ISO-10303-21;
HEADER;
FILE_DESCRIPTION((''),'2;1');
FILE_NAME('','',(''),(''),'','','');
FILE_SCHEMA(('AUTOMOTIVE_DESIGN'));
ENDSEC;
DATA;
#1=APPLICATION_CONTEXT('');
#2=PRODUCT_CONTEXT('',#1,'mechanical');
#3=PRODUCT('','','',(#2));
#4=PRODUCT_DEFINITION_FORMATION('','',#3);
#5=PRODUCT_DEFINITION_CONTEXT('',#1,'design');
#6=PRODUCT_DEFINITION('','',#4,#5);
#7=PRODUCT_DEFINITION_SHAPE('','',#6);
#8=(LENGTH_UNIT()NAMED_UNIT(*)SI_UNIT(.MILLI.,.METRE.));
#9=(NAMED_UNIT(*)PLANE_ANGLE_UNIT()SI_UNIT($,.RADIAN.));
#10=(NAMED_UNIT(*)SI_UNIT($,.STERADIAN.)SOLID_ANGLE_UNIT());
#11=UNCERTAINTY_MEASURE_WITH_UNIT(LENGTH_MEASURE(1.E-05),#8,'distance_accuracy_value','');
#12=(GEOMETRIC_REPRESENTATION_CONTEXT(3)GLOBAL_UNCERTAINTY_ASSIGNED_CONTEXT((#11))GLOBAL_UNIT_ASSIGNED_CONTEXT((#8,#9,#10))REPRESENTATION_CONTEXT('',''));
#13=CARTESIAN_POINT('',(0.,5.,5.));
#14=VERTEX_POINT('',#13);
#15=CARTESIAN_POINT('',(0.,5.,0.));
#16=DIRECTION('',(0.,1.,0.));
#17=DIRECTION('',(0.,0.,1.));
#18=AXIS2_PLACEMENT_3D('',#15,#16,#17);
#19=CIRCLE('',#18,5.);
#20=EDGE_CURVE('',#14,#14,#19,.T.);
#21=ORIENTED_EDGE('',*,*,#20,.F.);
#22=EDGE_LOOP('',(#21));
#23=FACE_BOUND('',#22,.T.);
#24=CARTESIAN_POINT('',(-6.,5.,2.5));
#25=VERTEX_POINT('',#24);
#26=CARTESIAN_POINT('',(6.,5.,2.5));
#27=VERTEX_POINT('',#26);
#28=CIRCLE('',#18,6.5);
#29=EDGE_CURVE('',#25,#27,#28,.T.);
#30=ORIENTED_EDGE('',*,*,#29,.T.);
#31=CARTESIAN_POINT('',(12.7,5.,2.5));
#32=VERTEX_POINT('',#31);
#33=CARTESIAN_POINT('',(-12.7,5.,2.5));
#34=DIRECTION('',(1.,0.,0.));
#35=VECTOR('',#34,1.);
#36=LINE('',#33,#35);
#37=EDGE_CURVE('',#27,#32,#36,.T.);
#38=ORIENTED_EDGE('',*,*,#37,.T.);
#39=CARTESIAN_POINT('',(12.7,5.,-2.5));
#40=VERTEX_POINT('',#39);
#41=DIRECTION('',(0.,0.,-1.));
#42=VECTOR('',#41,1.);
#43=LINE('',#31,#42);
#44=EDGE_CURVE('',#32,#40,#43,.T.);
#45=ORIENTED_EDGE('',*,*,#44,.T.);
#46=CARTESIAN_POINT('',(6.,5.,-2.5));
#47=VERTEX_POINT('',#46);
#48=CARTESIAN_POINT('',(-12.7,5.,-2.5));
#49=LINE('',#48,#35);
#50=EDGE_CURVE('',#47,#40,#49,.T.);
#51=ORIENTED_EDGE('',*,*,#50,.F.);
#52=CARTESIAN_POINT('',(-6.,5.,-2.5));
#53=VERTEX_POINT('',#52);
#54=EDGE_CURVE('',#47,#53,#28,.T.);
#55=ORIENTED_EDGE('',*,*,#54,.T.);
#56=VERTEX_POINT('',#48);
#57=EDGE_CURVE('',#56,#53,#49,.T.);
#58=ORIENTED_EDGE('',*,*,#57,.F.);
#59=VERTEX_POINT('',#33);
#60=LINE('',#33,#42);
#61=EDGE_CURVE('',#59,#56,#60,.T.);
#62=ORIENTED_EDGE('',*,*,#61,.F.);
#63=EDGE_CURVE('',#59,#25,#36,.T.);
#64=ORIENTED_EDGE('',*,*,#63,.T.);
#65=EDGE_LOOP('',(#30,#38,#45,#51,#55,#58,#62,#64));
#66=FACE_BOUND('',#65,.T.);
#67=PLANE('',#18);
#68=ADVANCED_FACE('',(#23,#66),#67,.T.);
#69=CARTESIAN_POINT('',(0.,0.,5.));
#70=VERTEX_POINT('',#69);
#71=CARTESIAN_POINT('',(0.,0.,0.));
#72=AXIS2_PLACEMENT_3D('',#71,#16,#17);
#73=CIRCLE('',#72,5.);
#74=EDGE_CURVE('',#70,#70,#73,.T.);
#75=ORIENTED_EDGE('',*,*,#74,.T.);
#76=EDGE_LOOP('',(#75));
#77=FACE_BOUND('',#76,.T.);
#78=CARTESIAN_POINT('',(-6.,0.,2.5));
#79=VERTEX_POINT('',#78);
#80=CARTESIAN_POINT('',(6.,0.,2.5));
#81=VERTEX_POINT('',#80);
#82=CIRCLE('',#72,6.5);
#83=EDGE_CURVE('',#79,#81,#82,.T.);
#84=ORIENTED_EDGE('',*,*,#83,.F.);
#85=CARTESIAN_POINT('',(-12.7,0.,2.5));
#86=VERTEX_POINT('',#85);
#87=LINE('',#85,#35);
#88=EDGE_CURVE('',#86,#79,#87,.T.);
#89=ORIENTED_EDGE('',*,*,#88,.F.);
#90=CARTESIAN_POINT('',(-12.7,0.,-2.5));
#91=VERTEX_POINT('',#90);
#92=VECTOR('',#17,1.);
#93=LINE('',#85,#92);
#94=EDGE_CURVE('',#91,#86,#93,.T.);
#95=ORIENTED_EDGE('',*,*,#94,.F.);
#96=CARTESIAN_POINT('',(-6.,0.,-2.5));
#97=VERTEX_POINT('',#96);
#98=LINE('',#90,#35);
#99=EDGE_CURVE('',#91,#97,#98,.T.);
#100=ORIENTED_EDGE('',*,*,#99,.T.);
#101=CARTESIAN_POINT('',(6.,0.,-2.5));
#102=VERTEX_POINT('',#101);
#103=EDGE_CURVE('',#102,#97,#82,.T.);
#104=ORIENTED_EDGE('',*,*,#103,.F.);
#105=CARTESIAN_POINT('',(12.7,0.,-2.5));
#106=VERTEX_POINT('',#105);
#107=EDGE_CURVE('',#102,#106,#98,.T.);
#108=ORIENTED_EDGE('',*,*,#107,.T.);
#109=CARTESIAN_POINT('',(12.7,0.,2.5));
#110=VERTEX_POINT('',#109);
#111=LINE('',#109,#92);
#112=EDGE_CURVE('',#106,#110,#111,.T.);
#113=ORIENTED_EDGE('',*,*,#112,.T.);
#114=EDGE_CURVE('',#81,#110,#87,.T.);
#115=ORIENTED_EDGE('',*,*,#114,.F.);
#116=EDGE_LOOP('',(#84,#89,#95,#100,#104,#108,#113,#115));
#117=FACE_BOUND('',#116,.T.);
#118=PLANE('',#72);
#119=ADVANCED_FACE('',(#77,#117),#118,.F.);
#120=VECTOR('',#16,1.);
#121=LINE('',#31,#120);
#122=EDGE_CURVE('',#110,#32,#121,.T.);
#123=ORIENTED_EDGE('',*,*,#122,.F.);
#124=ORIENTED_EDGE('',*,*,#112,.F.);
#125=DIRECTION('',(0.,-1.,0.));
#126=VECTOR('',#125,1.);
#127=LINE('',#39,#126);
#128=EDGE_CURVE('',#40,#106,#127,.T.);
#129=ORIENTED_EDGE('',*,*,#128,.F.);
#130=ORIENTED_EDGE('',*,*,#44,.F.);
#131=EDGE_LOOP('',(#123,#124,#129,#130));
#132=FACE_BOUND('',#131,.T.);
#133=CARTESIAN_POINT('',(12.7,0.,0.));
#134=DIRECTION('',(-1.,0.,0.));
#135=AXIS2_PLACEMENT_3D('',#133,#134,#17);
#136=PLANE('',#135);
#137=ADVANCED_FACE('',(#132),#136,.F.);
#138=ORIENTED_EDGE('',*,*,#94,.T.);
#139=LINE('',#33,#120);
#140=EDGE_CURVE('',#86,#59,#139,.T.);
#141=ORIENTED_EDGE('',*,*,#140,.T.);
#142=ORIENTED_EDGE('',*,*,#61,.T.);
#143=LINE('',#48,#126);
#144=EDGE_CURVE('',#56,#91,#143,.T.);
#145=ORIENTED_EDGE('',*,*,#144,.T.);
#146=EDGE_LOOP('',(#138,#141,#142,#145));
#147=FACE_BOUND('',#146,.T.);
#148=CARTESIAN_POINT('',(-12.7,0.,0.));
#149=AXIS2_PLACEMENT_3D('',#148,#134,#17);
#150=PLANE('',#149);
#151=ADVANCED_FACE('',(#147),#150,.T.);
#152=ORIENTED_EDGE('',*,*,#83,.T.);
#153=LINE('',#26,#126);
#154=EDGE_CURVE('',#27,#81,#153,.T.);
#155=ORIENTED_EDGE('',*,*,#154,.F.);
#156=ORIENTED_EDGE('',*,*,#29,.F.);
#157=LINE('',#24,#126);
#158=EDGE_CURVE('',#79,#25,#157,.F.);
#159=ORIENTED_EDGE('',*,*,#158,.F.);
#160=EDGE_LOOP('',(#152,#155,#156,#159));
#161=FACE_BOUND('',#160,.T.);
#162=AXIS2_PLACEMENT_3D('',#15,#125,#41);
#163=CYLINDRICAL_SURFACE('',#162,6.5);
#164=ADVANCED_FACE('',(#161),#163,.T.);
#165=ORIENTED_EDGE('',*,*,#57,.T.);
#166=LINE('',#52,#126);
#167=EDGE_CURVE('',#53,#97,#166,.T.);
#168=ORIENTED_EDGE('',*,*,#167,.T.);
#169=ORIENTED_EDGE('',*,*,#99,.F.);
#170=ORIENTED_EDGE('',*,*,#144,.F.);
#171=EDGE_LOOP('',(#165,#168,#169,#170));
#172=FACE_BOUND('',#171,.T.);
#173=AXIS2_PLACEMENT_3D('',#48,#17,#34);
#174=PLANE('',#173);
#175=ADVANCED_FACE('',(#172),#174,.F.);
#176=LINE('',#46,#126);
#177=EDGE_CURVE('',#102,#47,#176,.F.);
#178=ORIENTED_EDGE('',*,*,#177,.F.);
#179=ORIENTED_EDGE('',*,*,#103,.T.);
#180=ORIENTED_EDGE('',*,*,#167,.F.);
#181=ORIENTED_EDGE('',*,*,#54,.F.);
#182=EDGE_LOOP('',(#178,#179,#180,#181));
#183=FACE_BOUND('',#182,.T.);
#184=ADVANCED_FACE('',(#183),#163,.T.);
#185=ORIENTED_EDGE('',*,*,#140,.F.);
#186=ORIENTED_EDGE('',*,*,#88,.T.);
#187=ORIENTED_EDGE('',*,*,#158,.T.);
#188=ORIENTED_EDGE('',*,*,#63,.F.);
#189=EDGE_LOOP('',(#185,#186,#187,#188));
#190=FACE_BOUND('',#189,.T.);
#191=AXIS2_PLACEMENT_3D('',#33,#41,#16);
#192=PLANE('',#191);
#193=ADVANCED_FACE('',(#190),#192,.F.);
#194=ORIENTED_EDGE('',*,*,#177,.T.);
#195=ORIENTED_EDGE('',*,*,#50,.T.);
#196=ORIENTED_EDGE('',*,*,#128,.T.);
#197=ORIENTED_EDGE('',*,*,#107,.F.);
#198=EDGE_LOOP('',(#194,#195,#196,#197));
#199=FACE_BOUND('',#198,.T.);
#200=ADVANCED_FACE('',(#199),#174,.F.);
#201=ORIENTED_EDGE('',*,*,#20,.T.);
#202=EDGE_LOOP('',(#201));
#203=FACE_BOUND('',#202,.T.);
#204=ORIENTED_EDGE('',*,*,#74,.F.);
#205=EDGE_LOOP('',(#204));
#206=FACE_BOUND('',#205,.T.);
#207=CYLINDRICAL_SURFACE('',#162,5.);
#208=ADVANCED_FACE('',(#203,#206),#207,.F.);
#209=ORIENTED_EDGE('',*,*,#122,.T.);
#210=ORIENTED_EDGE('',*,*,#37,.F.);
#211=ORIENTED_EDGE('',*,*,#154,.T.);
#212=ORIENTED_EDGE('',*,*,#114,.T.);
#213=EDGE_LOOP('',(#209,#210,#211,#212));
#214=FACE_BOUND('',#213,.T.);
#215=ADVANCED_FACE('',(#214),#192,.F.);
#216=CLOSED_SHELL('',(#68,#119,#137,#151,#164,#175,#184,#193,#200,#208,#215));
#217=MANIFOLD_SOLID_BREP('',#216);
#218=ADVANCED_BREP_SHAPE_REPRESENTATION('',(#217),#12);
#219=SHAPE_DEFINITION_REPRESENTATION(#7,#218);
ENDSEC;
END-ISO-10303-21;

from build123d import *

# Parameters (mm, degrees)
SKETCH1_R           = 6.5
SKETCH1_R_2         = 5
BOSS_EXTRUDE1_DEPTH = 5
SKETCH2_W           = 5
SKETCH2_H           = 5
BOSS_EXTRUDE2_DEPTH = 12.7
SKETCH3_R           = 5
CUT_EXTRUDE1_DEPTH  = 16.117539482


with BuildPart() as part:
    # Sketch1 → Boss-Extrude1 (new body)
    with BuildSketch(Plane(origin=(0, 0, 0), x_dir=(1, 0, 0), z_dir=(0, 1, 0))):
        Circle(SKETCH1_R)
        Circle(SKETCH1_R_2, mode=Mode.SUBTRACT)
    extrude(amount=BOSS_EXTRUDE1_DEPTH)

    # Sketch2 → Boss-Extrude2 (add, symmetric)
    with BuildSketch(Plane(origin=(0, 0, 0), x_dir=(0, -1, 0), z_dir=(-1, 0, 0))):
        with Locations((-2.5, 0)):
            Rectangle(SKETCH2_W, SKETCH2_H)
    extrude(amount=BOSS_EXTRUDE2_DEPTH, both=True)

    # Sketch3 → Cut-Extrude1 (cut, through all)
    with BuildSketch(Plane(origin=(0, 5, 0), x_dir=(1, 0, 0), z_dir=(0, 1, 0))):
        Circle(SKETCH3_R)
    extrude(amount=-CUT_EXTRUDE1_DEPTH, mode=Mode.SUBTRACT)


solid = part.part
